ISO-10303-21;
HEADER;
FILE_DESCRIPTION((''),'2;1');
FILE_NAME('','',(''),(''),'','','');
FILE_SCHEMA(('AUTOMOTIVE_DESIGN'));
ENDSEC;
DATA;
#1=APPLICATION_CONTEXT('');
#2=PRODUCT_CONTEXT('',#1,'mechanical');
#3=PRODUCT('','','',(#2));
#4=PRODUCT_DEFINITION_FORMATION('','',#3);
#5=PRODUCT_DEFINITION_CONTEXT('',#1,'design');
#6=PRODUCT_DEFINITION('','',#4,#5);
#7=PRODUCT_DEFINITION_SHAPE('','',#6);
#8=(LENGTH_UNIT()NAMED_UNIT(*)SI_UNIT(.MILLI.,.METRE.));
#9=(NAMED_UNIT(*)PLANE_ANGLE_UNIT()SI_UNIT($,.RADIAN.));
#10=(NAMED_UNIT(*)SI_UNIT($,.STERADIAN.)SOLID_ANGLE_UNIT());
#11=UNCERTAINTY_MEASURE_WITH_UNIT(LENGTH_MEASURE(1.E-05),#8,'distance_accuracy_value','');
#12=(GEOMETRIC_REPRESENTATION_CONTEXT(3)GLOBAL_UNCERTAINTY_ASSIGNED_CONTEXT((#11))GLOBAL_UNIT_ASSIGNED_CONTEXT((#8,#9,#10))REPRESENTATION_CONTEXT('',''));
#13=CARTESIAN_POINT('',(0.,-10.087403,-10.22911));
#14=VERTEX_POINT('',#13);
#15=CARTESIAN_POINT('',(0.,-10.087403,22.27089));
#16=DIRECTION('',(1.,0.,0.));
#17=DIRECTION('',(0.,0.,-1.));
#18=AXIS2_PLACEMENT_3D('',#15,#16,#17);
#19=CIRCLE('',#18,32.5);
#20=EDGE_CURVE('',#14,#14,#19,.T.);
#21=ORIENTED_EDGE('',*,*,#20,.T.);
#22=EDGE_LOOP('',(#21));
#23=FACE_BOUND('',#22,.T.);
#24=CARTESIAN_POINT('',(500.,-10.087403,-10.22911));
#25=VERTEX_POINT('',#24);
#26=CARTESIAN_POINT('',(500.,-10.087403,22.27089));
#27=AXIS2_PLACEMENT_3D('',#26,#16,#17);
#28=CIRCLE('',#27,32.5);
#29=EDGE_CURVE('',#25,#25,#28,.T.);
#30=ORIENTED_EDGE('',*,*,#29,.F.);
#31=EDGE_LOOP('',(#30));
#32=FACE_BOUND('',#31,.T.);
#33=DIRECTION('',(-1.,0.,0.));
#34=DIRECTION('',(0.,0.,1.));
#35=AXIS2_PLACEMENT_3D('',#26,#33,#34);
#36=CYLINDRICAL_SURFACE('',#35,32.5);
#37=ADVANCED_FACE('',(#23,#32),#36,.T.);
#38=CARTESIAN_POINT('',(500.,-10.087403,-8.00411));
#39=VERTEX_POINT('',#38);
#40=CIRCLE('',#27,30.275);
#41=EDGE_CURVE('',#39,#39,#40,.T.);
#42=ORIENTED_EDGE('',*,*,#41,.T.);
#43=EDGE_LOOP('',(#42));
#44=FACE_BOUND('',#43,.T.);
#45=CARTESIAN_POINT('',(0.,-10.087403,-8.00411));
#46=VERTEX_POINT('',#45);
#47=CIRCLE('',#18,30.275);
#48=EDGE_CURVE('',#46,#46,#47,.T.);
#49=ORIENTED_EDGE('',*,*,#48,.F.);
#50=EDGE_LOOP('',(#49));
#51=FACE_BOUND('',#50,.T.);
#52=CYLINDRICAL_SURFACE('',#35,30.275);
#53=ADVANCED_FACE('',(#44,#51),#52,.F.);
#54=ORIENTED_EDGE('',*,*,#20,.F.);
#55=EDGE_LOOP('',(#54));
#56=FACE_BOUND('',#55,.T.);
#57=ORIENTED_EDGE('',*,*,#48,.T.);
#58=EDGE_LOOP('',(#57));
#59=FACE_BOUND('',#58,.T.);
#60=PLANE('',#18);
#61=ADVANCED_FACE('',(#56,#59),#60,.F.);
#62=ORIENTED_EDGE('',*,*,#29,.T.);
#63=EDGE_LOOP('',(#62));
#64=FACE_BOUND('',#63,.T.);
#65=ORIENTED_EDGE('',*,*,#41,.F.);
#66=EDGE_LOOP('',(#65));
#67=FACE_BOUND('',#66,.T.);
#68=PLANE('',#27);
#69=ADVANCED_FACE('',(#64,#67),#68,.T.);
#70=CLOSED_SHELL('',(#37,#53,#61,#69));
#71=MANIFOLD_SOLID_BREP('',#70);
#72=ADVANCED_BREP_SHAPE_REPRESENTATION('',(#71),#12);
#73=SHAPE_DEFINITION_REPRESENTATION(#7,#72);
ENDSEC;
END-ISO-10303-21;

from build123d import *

# Parameters (mm, degrees)
SKETCH1_R           = 32.5
SKETCH1_R_2         = 30.275
BOSS_EXTRUDE1_DEPTH = 500


with BuildPart() as part:
    # Sketch1 → Boss-Extrude1 (new body)
    with BuildSketch(Plane(origin=(0, 0, 0), x_dir=(0, 0, -1), z_dir=(1, 0, 0))):
        with Locations((-22.270889708, -10.087402985)):
            Circle(SKETCH1_R)
        with Locations((-22.270889708, -10.087402985)):
            Circle(SKETCH1_R_2, mode=Mode.SUBTRACT)
    extrude(amount=BOSS_EXTRUDE1_DEPTH)


solid = part.part
